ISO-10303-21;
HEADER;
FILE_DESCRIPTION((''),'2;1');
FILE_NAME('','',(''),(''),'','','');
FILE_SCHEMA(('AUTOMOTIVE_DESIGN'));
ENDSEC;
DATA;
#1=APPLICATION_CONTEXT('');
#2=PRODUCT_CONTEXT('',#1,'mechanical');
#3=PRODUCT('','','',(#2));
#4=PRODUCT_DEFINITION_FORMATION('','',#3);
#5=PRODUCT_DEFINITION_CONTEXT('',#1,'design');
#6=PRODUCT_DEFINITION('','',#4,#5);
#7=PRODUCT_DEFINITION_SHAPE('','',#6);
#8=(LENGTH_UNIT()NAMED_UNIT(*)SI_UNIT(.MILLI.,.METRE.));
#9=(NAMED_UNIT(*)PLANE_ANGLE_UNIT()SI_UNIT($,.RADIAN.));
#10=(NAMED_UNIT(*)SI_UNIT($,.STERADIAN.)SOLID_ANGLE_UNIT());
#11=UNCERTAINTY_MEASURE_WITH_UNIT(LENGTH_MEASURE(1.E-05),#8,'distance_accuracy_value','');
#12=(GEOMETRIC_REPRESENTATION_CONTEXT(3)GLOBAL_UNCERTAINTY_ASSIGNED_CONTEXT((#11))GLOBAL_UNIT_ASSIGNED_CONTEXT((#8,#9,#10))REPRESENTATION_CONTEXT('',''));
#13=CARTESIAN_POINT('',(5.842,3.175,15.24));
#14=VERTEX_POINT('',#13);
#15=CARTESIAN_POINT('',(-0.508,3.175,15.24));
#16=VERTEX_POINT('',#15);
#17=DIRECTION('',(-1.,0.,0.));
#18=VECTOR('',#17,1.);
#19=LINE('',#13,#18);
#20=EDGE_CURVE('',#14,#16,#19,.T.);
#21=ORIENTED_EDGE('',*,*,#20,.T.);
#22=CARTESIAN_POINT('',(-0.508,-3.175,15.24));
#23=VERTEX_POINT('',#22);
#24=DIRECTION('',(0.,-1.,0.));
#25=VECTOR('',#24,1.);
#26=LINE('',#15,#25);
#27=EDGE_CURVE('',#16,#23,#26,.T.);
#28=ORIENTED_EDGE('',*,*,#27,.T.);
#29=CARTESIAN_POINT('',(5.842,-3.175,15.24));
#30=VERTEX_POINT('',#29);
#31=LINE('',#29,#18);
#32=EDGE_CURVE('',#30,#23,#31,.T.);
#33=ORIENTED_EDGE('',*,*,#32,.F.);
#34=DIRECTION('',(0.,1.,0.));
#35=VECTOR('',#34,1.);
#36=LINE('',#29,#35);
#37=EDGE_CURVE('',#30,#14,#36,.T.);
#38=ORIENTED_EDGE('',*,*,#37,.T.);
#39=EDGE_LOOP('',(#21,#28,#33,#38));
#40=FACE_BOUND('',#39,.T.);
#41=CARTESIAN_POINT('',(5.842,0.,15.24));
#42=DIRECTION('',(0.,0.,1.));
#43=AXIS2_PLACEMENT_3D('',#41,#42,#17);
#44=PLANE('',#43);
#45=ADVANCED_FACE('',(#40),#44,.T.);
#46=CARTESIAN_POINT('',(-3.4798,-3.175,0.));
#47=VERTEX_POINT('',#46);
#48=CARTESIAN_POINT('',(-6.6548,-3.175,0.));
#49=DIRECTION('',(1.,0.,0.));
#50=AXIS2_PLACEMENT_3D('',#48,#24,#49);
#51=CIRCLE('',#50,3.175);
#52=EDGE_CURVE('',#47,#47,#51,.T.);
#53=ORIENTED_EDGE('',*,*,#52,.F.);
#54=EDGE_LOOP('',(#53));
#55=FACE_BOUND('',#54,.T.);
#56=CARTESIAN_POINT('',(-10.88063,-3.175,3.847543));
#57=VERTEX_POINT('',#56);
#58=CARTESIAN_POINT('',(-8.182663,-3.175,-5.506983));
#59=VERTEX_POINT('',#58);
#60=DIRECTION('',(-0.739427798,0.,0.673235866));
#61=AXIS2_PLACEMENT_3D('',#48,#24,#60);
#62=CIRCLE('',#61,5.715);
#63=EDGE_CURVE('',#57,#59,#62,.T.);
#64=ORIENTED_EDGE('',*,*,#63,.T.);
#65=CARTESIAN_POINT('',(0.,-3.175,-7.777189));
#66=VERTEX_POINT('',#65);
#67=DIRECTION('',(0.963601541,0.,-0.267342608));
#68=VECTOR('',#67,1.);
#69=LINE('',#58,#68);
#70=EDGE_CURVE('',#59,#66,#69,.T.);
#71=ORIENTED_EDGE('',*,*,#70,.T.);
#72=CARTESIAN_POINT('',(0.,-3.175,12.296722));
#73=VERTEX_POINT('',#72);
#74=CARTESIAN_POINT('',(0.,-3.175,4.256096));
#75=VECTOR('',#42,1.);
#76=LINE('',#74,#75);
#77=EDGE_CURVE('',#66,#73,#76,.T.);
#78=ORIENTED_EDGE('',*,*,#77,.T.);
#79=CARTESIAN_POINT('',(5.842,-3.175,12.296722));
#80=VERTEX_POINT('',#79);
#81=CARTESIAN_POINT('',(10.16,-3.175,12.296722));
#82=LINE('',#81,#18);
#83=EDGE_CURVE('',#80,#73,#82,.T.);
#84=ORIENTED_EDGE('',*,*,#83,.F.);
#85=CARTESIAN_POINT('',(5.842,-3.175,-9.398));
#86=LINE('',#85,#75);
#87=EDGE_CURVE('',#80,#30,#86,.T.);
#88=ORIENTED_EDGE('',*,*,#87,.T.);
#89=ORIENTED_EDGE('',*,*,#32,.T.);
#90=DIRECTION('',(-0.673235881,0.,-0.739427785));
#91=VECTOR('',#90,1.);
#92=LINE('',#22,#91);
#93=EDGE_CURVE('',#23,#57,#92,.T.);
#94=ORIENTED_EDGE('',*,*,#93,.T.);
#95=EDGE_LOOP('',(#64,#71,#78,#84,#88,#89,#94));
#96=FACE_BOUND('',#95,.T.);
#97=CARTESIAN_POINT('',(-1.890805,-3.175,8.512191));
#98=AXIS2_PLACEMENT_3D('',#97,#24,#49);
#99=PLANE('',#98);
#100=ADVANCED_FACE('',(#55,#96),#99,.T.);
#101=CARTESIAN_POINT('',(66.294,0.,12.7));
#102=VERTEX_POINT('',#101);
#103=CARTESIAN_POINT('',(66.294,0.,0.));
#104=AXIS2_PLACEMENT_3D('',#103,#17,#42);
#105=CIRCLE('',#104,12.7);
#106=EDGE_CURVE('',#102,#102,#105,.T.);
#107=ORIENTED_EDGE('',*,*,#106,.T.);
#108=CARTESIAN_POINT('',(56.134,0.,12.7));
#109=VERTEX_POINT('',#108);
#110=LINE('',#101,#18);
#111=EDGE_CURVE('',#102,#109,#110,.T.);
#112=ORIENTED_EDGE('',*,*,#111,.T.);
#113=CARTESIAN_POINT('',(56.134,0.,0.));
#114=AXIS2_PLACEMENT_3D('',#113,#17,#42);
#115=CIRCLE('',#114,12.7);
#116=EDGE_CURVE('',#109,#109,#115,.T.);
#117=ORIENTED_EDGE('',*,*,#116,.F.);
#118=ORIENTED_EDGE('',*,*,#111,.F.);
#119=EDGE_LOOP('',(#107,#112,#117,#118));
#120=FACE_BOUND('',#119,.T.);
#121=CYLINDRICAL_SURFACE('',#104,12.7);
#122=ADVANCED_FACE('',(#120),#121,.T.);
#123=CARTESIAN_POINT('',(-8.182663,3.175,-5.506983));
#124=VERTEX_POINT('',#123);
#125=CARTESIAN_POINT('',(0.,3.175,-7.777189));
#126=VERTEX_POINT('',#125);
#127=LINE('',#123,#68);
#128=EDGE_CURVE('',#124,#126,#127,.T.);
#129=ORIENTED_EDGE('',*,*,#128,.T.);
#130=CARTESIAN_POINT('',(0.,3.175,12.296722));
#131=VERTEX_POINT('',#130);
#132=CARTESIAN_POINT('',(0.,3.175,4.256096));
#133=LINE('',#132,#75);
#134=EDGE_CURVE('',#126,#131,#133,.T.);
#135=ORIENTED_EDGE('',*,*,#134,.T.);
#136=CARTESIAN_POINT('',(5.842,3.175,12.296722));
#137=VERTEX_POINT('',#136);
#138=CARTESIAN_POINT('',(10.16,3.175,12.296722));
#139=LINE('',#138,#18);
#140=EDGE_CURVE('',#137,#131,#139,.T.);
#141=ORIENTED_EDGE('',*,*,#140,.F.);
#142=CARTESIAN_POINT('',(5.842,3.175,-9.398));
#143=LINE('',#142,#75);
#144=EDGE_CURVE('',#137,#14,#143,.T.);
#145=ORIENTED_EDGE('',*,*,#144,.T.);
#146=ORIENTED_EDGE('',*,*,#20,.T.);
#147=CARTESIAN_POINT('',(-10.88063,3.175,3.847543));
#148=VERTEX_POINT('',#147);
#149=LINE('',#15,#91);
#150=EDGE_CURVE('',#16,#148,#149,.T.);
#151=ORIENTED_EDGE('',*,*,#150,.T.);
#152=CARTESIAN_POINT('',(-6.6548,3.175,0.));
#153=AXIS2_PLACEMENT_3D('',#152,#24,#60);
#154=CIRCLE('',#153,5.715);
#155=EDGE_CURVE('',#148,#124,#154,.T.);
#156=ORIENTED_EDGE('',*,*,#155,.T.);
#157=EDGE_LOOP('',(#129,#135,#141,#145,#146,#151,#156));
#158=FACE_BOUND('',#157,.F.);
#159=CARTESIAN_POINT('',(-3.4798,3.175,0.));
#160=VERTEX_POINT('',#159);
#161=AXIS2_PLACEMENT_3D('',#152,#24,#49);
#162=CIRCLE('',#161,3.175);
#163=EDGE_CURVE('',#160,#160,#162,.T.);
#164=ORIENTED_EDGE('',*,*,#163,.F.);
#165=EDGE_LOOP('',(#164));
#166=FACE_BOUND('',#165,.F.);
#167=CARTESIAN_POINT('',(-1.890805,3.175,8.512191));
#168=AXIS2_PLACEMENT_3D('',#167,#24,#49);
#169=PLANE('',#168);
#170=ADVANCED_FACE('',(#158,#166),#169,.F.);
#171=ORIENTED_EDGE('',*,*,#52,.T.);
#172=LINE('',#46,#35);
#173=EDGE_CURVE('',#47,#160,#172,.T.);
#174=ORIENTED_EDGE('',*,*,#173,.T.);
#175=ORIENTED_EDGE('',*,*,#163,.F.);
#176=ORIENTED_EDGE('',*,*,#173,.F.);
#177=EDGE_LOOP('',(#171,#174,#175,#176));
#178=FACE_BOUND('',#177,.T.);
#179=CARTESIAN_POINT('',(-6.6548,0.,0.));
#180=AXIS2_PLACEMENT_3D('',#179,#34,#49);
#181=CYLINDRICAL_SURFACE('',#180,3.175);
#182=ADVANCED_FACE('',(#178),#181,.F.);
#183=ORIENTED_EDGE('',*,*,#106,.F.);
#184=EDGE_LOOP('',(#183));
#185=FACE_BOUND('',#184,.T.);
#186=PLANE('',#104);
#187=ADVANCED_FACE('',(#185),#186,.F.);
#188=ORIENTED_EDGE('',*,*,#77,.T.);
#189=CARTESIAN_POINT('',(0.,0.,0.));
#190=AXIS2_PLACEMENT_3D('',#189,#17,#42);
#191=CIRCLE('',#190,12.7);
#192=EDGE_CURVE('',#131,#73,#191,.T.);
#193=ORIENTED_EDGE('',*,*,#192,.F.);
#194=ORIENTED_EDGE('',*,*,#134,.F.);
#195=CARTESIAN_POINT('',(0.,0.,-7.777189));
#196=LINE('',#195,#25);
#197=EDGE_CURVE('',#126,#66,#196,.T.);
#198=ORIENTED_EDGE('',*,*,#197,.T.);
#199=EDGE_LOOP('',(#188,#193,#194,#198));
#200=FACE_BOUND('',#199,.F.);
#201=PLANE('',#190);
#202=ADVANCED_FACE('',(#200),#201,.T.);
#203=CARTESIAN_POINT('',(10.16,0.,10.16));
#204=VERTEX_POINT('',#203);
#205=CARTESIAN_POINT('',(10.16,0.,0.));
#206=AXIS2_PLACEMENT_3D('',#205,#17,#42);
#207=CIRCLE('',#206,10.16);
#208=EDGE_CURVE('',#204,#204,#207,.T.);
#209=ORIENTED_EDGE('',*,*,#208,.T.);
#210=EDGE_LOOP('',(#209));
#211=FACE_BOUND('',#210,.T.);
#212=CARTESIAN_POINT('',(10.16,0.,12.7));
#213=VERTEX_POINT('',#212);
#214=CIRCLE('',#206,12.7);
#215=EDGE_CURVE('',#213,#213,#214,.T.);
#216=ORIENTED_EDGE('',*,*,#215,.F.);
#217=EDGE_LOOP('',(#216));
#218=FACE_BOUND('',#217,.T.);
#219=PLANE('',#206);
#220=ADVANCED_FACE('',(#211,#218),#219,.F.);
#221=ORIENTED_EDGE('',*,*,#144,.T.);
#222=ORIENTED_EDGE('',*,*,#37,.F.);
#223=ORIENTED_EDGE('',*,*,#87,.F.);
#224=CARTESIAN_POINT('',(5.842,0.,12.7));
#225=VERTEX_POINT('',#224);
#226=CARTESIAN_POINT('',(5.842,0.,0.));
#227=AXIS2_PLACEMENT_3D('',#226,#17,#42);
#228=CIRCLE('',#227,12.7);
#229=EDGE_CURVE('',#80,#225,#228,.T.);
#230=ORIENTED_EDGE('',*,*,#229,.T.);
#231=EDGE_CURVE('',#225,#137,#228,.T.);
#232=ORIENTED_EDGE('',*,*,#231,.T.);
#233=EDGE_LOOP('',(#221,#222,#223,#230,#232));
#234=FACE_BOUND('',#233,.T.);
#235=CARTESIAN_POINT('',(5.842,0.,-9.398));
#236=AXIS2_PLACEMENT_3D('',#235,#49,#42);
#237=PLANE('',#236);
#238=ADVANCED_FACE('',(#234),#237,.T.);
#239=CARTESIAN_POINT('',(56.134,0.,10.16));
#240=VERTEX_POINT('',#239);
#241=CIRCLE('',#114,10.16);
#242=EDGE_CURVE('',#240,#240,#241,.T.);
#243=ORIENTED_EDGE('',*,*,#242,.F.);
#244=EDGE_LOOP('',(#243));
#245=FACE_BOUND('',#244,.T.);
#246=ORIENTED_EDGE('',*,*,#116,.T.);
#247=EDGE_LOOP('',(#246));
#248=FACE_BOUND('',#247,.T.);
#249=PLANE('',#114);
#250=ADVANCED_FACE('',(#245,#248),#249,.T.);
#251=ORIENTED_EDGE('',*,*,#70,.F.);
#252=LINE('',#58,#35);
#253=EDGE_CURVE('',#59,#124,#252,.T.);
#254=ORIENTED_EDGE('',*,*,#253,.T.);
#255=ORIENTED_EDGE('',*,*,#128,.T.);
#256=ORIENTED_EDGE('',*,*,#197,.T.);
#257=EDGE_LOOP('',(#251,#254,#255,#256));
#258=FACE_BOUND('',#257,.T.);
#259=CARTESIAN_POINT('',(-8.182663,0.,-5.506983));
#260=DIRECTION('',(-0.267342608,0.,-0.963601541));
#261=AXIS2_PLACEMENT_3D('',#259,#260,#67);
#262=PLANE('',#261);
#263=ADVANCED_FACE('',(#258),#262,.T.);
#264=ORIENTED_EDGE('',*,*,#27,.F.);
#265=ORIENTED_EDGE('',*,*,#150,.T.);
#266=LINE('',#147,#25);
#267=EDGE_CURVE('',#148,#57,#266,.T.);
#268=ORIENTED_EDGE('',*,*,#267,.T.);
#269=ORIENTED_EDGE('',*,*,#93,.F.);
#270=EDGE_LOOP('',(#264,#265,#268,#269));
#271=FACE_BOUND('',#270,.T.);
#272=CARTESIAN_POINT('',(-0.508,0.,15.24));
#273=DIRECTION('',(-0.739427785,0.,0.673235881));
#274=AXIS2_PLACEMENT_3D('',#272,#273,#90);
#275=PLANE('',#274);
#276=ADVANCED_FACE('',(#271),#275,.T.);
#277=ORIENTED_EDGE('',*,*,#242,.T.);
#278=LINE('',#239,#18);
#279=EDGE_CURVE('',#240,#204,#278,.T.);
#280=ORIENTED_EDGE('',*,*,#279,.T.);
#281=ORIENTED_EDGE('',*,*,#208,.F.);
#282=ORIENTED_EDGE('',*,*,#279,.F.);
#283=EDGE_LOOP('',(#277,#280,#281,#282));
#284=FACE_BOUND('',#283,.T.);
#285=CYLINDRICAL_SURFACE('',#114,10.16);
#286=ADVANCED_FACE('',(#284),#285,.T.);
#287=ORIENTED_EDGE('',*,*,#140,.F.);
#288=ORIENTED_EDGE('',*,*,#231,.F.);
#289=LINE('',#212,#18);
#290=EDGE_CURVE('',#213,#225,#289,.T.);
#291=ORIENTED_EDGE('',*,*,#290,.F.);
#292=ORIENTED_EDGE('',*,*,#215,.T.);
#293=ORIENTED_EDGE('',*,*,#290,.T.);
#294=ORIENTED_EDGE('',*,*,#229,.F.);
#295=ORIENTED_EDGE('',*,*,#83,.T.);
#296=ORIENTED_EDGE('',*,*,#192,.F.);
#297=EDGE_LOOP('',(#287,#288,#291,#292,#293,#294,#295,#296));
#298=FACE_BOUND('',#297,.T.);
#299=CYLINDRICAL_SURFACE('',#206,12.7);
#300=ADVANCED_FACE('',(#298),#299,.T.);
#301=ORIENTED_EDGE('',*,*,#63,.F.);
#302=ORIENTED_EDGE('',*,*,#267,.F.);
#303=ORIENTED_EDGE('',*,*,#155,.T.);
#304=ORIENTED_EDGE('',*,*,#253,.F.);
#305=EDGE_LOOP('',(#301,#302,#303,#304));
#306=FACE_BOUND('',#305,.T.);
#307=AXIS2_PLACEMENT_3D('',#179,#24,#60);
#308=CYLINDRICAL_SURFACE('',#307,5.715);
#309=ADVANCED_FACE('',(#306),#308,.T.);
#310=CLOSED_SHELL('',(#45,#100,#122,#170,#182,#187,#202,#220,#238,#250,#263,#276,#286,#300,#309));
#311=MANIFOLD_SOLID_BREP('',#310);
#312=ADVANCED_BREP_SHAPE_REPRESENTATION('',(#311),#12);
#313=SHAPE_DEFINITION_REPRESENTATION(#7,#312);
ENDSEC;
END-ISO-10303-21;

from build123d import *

# Parameters (mm, degrees)
F0_R     = 3.175
F0_W     = 5.842
F0_H     = 12.7
F1_DEPTH = 3.175


with BuildPart() as f1:
    # F0 (on Front) → F1 (new body, symmetric)
    with BuildSketch(Plane.XZ):
        with BuildLine():
            Line((-0.9398, 0), (0, 0))
            Line((0, 0), (0, 12.7))
            Line((0, 12.7), (5.842, 12.7))
            Line((5.842, 12.7), (5.842, 15.24))
            Line((5.842, 15.24), (-0.508, 15.24))
            Line((-0.508, 15.24), (-10.88063, 3.847543))
            ThreePointArc((-10.88063, 3.847543), (-4.591961, 5.329721), (-0.9398, 0))
        make_face()
        with BuildLine():
            ThreePointArc((-8.182663, -5.506983), (-3.195791, -4.549339), (-0.9398, 0))
            ThreePointArc((-0.9398, 0), (-4.591961, 5.329721), (-10.88063, 3.847543))
            ThreePointArc((-10.88063, 3.847543), (-12.145978, -1.583727), (-8.182663, -5.506983))
        make_face()
        with Locations((-6.6548, 0)):
            Circle(F0_R, mode=Mode.SUBTRACT)
        with BuildLine():
            Line((5.842, 0), (0, 0))
            Line((0, 0), (-0.9398, 0))
            ThreePointArc((-0.9398, 0), (-3.195791, -4.549339), (-8.182663, -5.506983))
            Line((-8.182663, -5.506983), (5.842, -9.398))
            Line((5.842, -9.398), (5.842, 0))
        make_face()
        with Locations((2.921, 6.35)):
            Rectangle(F0_W, F0_H)
    extrude(amount=F1_DEPTH, both=True)

    # F0 (on Front) → F2 (revolve)
    with BuildSketch(Plane.XZ):
        Polygon((5.842, 12.7), (5.842, 0), (66.294, 0), (66.294, 12.7), (56.134, 12.7), (56.134, 10.16), (10.16, 10.16), (10.16, 12.7), align=None)
        with Locations((2.921, 6.35)):
            Rectangle(F0_W, F0_H)
    revolve(axis=Axis((33.147, 0, 0), (-1, 0, 0)))


solid = f1.part
